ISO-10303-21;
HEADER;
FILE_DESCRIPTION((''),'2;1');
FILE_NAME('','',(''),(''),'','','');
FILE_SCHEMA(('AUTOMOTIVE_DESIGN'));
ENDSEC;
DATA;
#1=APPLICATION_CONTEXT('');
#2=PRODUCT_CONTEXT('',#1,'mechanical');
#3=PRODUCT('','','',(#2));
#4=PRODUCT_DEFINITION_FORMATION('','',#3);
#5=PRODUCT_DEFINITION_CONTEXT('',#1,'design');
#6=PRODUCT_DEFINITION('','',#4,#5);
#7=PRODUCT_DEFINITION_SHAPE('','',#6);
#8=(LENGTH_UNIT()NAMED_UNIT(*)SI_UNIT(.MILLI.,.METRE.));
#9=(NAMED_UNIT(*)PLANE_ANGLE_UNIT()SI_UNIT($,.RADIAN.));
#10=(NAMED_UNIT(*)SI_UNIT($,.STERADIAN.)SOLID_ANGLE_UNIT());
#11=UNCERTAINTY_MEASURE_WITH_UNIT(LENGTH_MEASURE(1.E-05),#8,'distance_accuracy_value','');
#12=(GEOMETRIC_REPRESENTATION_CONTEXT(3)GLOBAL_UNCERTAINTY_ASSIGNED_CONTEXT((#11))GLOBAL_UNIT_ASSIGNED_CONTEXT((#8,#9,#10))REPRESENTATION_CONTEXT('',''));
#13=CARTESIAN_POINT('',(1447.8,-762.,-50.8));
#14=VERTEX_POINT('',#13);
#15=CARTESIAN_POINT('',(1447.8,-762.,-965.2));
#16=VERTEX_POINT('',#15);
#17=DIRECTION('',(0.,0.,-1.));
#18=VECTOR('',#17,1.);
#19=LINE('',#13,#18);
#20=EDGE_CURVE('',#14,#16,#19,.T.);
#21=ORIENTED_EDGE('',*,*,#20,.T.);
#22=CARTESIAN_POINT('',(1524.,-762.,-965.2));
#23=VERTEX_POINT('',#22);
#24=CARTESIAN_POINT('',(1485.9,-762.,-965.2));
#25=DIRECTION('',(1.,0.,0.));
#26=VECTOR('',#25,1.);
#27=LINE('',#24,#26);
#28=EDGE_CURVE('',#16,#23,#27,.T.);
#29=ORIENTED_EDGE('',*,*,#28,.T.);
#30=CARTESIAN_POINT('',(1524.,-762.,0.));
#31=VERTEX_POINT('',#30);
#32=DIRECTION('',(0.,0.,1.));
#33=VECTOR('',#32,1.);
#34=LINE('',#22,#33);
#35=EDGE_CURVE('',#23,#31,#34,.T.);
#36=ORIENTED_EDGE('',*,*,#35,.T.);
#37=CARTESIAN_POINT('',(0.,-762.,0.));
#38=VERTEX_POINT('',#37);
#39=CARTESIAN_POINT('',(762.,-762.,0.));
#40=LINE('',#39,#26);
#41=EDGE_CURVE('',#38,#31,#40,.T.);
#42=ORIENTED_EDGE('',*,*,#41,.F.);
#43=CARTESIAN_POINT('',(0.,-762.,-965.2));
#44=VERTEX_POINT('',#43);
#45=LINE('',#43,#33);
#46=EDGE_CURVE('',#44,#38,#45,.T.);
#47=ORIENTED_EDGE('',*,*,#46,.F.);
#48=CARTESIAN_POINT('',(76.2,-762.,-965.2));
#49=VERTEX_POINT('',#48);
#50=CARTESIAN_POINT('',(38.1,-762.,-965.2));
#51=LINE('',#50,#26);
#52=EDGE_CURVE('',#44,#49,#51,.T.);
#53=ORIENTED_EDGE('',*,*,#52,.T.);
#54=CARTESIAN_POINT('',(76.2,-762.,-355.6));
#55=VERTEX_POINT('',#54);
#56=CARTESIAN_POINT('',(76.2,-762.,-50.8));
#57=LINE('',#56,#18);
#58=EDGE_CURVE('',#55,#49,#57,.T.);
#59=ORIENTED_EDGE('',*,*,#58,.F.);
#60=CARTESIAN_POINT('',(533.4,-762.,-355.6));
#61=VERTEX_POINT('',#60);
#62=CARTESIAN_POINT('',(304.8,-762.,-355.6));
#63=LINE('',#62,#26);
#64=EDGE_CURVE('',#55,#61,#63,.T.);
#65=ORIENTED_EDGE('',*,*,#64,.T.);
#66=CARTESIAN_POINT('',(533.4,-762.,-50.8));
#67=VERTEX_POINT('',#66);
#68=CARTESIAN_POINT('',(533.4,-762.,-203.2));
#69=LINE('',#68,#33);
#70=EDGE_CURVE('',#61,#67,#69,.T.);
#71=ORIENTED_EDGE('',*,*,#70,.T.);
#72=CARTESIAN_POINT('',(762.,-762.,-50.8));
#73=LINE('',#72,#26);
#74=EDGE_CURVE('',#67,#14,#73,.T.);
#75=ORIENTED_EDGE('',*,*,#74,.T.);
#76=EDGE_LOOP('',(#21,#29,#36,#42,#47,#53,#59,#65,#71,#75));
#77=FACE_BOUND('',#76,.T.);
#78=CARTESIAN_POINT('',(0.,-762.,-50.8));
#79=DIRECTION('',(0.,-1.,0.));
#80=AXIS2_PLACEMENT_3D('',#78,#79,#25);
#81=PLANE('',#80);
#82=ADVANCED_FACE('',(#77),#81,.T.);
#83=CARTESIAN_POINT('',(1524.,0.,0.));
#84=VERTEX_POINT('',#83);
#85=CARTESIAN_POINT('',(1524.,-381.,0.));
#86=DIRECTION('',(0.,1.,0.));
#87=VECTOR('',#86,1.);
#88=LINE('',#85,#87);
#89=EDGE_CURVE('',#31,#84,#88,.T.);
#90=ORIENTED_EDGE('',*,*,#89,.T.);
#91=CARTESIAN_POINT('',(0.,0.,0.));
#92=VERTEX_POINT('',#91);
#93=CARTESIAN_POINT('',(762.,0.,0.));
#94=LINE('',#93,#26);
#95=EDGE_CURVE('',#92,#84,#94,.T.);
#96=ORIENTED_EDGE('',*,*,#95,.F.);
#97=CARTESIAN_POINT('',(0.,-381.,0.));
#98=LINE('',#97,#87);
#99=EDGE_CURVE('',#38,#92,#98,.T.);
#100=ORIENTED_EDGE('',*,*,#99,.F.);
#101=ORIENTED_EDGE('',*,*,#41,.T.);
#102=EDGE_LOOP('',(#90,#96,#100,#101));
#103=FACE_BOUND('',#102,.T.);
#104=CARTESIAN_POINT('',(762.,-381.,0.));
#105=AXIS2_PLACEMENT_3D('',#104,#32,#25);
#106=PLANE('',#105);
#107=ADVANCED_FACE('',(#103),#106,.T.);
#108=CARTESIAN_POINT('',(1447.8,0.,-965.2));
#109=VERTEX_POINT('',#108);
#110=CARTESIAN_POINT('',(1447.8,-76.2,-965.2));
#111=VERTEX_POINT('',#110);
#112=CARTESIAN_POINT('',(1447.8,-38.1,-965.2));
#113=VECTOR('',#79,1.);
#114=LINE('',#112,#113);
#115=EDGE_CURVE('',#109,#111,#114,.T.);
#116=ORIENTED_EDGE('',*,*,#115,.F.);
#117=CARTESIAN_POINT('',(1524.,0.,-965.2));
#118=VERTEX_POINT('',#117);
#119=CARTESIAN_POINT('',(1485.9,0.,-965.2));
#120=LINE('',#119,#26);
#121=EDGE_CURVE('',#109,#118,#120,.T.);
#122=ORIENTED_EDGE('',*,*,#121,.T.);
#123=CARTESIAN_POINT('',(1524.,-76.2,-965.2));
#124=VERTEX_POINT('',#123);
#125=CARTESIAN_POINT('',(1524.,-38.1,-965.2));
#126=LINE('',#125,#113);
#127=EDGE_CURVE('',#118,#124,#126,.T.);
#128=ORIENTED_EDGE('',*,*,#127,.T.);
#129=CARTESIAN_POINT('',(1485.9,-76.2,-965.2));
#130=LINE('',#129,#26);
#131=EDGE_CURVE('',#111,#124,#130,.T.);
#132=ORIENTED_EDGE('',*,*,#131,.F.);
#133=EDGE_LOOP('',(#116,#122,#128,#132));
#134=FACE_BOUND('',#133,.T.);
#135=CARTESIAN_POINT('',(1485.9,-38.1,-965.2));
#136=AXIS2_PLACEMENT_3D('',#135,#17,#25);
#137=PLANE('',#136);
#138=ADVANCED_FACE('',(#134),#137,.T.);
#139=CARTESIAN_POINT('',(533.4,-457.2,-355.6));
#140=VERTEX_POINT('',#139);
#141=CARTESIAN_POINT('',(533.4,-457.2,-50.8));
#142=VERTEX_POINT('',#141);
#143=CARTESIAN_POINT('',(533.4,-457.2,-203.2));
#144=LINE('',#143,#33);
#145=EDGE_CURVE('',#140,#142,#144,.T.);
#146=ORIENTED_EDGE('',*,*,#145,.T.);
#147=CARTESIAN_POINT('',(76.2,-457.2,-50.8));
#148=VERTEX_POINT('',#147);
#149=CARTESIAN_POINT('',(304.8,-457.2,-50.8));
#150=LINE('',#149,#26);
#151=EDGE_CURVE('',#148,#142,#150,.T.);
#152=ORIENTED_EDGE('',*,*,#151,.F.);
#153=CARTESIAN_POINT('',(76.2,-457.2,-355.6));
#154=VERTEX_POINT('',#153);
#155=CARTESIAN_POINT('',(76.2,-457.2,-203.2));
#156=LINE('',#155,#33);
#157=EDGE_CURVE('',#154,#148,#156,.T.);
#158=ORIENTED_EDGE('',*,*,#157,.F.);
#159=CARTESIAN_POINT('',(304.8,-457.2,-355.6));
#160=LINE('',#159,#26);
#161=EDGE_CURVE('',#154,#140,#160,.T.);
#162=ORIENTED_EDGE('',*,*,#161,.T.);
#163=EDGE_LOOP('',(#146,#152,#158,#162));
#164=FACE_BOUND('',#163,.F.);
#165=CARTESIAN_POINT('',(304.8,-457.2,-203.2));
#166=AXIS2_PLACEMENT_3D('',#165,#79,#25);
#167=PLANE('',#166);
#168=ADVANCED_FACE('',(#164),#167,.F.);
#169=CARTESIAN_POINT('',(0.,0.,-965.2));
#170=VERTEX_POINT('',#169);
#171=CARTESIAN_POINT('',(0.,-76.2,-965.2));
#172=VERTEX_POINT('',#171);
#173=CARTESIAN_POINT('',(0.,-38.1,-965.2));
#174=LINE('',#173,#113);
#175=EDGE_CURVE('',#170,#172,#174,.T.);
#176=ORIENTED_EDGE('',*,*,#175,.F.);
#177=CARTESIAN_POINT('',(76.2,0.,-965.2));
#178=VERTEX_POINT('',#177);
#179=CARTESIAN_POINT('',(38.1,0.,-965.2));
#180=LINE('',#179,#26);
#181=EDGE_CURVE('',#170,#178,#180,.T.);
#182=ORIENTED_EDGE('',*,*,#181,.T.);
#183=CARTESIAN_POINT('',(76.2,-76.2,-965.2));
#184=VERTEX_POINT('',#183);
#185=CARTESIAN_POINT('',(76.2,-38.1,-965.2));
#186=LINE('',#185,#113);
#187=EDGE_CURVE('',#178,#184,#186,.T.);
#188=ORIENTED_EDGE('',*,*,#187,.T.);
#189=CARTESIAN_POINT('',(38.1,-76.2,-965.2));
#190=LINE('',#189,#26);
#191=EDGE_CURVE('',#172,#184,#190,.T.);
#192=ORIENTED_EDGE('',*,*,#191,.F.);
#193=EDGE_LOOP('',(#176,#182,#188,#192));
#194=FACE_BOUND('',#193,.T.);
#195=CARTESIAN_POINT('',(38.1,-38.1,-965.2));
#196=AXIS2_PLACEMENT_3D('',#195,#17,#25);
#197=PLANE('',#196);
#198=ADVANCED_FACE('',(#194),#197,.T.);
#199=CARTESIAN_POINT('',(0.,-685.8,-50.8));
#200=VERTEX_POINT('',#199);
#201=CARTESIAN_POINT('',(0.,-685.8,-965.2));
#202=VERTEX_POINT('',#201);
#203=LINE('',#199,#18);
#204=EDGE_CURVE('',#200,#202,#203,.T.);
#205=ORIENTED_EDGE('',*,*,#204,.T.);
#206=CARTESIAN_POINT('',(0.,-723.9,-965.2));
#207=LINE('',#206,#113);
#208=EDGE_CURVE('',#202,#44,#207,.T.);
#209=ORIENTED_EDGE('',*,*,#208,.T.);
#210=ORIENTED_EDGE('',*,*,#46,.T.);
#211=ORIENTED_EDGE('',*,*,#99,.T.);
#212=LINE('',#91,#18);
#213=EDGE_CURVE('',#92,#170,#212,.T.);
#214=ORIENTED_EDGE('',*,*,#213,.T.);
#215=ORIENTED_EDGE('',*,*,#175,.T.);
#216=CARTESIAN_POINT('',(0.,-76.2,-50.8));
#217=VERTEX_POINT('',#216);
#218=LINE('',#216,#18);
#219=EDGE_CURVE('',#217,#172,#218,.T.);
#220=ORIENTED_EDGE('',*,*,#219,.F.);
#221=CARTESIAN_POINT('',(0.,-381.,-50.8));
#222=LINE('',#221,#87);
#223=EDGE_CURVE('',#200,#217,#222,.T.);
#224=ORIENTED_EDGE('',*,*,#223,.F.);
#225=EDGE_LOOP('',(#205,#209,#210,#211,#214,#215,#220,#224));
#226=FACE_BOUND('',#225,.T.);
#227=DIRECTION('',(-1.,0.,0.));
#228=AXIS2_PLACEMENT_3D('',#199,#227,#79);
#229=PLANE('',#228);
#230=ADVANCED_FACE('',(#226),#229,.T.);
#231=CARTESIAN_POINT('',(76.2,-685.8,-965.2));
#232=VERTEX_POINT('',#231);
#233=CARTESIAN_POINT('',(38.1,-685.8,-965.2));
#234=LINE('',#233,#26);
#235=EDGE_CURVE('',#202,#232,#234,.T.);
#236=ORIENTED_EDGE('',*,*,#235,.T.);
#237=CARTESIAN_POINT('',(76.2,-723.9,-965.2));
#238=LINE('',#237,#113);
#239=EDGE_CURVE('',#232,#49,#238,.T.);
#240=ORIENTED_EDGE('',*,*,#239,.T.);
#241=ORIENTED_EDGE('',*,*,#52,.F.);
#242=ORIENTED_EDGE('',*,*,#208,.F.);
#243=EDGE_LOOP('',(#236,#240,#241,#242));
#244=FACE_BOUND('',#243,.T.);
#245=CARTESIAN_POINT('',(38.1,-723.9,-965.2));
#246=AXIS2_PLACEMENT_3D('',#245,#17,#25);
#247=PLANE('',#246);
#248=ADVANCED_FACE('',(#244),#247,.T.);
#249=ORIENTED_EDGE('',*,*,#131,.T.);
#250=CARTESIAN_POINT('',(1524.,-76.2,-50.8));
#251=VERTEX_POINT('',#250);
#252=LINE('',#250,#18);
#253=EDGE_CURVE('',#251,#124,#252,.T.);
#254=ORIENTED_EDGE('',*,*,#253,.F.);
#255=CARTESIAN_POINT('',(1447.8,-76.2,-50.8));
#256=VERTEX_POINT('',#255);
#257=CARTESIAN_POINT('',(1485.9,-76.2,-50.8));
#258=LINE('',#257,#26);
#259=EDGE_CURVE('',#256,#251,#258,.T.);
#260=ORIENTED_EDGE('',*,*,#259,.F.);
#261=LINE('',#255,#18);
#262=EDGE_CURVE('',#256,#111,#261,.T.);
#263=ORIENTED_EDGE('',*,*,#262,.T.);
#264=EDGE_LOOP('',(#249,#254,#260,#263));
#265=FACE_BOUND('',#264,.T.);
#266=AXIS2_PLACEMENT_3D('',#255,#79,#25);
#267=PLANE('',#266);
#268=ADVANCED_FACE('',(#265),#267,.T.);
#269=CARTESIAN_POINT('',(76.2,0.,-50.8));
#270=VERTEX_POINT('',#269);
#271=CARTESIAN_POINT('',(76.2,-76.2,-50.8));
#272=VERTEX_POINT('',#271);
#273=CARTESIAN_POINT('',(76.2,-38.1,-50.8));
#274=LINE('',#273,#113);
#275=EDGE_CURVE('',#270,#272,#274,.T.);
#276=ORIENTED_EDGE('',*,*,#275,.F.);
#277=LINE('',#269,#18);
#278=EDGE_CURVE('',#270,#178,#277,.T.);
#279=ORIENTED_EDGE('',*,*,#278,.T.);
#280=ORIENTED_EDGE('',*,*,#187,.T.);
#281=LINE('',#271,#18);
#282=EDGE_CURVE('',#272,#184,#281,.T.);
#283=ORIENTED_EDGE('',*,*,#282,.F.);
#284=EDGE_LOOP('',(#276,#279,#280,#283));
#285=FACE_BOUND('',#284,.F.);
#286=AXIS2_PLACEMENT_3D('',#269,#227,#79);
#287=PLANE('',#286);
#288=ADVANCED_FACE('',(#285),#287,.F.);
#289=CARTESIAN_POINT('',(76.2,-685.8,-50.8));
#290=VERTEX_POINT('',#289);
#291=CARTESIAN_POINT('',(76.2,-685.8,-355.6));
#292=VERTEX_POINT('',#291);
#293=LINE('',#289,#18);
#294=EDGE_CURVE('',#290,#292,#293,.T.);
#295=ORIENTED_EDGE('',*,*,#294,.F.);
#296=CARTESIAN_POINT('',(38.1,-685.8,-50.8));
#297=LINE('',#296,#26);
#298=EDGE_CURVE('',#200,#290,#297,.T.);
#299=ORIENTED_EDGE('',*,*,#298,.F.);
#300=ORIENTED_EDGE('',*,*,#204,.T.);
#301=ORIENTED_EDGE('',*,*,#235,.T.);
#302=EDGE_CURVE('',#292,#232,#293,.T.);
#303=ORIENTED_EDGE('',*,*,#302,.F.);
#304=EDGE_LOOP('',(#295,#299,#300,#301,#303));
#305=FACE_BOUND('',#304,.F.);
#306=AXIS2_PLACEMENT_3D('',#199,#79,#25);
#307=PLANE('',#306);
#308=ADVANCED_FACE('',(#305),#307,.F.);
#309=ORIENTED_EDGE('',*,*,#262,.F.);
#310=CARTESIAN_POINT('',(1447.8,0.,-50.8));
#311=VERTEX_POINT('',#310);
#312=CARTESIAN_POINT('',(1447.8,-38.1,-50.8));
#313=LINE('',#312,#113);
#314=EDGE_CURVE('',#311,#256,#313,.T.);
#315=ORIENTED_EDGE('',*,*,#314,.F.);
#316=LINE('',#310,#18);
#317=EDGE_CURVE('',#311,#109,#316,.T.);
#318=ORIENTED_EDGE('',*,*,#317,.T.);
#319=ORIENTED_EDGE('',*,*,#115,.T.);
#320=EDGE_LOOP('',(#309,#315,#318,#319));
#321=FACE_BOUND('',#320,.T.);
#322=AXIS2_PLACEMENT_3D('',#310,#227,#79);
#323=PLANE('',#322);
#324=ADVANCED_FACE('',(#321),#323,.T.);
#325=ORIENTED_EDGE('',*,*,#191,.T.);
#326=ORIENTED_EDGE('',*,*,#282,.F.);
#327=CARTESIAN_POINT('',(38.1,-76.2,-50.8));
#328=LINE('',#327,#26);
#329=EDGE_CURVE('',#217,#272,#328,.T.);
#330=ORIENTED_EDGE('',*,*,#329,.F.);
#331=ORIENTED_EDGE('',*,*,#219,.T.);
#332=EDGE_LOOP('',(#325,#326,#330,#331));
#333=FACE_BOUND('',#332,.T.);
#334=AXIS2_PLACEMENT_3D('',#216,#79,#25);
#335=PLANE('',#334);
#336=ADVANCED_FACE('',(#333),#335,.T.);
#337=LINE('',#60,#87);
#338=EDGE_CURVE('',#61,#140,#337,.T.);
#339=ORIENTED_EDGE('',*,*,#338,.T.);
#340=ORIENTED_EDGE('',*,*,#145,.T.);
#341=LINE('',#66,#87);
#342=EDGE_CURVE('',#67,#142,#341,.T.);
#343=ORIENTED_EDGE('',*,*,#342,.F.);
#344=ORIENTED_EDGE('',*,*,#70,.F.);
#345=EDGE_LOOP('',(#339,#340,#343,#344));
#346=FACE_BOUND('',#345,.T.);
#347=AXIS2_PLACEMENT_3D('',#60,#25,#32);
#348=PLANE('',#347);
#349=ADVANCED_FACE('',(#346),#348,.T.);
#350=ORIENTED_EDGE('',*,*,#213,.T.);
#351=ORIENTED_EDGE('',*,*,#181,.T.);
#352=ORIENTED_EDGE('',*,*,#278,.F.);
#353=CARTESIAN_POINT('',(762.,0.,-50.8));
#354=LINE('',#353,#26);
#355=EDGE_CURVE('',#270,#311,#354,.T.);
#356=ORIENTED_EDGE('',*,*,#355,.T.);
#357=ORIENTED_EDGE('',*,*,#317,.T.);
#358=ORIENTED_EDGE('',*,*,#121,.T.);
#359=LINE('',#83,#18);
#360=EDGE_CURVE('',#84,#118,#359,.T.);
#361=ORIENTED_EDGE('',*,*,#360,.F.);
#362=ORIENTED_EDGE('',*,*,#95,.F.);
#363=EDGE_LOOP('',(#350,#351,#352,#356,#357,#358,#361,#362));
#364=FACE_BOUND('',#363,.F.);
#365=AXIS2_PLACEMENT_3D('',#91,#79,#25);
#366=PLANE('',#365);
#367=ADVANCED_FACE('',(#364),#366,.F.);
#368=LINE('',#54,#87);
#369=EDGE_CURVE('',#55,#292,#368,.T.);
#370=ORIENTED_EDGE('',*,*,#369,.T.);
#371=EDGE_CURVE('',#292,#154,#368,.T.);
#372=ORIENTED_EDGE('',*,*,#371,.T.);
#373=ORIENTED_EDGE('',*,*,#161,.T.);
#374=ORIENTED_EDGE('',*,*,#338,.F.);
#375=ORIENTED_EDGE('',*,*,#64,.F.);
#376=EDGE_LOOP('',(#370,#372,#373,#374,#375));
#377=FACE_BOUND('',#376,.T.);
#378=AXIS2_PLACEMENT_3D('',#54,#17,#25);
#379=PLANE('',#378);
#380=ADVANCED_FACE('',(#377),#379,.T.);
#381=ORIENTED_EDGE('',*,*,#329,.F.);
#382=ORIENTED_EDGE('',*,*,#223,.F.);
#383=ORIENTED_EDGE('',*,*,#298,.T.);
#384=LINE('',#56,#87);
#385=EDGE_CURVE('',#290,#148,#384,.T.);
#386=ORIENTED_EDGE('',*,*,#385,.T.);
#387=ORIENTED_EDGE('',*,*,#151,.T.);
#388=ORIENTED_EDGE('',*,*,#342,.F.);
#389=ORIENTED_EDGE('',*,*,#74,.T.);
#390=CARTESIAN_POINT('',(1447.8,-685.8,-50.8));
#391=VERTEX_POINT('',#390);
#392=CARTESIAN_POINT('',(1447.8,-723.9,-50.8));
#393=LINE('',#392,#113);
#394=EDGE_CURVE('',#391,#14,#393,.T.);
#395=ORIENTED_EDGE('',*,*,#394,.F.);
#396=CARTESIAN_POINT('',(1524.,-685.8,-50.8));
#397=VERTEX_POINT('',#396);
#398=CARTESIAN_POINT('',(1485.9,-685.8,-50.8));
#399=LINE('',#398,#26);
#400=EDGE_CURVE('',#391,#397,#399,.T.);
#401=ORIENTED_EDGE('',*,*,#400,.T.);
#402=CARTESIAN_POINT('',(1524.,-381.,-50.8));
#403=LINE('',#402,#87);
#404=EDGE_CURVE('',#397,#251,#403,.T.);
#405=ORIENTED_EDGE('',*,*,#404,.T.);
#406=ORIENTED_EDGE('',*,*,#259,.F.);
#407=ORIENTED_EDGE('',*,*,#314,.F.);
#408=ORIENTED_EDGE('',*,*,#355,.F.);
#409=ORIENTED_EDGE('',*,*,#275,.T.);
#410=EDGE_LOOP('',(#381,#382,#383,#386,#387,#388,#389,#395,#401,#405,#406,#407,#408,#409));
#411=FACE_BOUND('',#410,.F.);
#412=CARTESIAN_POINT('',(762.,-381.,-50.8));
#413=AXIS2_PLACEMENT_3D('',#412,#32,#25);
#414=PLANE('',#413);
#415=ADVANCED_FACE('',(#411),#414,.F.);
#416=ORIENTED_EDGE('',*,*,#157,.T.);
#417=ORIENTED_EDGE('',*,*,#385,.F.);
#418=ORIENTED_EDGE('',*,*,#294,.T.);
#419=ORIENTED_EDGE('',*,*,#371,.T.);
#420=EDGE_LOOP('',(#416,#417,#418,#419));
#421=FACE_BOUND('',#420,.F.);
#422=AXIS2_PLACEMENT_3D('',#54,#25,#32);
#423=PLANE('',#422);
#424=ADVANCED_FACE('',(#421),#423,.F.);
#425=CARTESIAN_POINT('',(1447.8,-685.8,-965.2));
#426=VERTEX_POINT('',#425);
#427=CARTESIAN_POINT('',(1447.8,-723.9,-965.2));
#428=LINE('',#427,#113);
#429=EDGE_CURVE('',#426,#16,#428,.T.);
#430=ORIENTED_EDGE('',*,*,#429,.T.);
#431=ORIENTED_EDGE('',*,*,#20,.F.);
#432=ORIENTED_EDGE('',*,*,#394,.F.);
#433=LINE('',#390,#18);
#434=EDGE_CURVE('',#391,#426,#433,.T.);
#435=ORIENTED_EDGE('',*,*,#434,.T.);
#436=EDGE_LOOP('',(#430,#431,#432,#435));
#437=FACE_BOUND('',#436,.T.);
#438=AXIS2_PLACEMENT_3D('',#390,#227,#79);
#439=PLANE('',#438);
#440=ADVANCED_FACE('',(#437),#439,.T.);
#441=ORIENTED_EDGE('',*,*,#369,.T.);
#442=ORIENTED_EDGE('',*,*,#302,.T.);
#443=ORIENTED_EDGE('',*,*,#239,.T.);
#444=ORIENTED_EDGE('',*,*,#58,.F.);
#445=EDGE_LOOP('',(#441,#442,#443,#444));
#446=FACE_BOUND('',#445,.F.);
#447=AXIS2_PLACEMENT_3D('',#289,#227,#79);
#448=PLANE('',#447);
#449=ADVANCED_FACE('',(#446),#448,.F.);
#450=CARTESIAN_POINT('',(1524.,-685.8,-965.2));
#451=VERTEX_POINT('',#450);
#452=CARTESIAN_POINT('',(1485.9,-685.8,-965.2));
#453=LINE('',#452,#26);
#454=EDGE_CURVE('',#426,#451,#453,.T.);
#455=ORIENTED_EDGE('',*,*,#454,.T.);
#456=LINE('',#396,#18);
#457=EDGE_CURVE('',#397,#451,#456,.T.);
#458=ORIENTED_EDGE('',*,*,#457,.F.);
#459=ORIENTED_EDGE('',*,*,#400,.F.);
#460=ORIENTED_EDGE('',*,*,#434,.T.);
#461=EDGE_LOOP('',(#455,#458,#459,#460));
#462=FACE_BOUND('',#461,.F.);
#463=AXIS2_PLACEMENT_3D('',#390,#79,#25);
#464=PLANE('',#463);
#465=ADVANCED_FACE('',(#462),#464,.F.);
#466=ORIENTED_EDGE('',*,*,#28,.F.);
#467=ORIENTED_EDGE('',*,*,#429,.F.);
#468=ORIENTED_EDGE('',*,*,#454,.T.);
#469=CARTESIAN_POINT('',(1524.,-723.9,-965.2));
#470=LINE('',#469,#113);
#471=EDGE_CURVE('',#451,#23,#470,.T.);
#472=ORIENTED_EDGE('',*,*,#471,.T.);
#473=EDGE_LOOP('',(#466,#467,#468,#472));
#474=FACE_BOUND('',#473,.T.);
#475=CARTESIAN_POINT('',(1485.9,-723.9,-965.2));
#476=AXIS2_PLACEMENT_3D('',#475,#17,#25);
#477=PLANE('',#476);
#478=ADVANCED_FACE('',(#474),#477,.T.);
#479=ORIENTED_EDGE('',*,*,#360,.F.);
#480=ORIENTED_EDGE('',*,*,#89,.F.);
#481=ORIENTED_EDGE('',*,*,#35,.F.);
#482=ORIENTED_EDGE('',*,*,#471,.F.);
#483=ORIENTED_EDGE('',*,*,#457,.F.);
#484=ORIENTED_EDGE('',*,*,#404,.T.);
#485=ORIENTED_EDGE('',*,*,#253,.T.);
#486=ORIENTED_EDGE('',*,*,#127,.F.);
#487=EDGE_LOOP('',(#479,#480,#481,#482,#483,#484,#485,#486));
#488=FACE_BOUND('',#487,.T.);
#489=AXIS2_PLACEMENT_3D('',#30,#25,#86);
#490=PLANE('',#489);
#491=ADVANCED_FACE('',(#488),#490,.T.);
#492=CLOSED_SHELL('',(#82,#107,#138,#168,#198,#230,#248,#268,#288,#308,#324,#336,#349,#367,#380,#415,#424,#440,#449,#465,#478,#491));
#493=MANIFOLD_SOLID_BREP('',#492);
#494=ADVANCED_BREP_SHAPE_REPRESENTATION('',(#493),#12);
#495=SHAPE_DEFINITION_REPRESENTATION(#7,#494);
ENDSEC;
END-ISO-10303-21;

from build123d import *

# Parameters (mm, degrees)
F0_W     = 1524
F0_H     = 762
F1_DEPTH = 50.8
F2_W     = 76.2
F2_H     = 76.2
F3_DEPTH = 914.4
F4_W     = 457.2
F4_H     = 304.8
F5_DEPTH = 304.8


with BuildPart() as f1:
    # F0 (on Top) → F1 (new body)
    with BuildSketch(Plane.XY):
        with Locations((762, -381)):
            Rectangle(F0_W, F0_H)
    extrude(amount=-F1_DEPTH)

    # F2 (on face) → F3 (join)
    with BuildSketch(Plane(origin=(0, 0, -50.8), x_dir=(1, 0, 0), z_dir=(0, 0, -1))):
        with Locations((38.1, 723.9)):
            Rectangle(F2_W, F2_H)
        with Locations((38.1, 38.1)):
            Rectangle(F2_W, F2_H)
        with Locations((1485.9, 38.1)):
            Rectangle(F2_W, F2_H)
        with Locations((1485.9, 723.9)):
            Rectangle(F2_W, F2_H)
    extrude(amount=F3_DEPTH)

    # F4 (on face) → F5 (join)
    with BuildSketch(Plane.XZ.offset(762)):
        with Locations((304.8, -203.2)):
            Rectangle(F4_W, F4_H)
    extrude(amount=-F5_DEPTH)


solid = f1.part
